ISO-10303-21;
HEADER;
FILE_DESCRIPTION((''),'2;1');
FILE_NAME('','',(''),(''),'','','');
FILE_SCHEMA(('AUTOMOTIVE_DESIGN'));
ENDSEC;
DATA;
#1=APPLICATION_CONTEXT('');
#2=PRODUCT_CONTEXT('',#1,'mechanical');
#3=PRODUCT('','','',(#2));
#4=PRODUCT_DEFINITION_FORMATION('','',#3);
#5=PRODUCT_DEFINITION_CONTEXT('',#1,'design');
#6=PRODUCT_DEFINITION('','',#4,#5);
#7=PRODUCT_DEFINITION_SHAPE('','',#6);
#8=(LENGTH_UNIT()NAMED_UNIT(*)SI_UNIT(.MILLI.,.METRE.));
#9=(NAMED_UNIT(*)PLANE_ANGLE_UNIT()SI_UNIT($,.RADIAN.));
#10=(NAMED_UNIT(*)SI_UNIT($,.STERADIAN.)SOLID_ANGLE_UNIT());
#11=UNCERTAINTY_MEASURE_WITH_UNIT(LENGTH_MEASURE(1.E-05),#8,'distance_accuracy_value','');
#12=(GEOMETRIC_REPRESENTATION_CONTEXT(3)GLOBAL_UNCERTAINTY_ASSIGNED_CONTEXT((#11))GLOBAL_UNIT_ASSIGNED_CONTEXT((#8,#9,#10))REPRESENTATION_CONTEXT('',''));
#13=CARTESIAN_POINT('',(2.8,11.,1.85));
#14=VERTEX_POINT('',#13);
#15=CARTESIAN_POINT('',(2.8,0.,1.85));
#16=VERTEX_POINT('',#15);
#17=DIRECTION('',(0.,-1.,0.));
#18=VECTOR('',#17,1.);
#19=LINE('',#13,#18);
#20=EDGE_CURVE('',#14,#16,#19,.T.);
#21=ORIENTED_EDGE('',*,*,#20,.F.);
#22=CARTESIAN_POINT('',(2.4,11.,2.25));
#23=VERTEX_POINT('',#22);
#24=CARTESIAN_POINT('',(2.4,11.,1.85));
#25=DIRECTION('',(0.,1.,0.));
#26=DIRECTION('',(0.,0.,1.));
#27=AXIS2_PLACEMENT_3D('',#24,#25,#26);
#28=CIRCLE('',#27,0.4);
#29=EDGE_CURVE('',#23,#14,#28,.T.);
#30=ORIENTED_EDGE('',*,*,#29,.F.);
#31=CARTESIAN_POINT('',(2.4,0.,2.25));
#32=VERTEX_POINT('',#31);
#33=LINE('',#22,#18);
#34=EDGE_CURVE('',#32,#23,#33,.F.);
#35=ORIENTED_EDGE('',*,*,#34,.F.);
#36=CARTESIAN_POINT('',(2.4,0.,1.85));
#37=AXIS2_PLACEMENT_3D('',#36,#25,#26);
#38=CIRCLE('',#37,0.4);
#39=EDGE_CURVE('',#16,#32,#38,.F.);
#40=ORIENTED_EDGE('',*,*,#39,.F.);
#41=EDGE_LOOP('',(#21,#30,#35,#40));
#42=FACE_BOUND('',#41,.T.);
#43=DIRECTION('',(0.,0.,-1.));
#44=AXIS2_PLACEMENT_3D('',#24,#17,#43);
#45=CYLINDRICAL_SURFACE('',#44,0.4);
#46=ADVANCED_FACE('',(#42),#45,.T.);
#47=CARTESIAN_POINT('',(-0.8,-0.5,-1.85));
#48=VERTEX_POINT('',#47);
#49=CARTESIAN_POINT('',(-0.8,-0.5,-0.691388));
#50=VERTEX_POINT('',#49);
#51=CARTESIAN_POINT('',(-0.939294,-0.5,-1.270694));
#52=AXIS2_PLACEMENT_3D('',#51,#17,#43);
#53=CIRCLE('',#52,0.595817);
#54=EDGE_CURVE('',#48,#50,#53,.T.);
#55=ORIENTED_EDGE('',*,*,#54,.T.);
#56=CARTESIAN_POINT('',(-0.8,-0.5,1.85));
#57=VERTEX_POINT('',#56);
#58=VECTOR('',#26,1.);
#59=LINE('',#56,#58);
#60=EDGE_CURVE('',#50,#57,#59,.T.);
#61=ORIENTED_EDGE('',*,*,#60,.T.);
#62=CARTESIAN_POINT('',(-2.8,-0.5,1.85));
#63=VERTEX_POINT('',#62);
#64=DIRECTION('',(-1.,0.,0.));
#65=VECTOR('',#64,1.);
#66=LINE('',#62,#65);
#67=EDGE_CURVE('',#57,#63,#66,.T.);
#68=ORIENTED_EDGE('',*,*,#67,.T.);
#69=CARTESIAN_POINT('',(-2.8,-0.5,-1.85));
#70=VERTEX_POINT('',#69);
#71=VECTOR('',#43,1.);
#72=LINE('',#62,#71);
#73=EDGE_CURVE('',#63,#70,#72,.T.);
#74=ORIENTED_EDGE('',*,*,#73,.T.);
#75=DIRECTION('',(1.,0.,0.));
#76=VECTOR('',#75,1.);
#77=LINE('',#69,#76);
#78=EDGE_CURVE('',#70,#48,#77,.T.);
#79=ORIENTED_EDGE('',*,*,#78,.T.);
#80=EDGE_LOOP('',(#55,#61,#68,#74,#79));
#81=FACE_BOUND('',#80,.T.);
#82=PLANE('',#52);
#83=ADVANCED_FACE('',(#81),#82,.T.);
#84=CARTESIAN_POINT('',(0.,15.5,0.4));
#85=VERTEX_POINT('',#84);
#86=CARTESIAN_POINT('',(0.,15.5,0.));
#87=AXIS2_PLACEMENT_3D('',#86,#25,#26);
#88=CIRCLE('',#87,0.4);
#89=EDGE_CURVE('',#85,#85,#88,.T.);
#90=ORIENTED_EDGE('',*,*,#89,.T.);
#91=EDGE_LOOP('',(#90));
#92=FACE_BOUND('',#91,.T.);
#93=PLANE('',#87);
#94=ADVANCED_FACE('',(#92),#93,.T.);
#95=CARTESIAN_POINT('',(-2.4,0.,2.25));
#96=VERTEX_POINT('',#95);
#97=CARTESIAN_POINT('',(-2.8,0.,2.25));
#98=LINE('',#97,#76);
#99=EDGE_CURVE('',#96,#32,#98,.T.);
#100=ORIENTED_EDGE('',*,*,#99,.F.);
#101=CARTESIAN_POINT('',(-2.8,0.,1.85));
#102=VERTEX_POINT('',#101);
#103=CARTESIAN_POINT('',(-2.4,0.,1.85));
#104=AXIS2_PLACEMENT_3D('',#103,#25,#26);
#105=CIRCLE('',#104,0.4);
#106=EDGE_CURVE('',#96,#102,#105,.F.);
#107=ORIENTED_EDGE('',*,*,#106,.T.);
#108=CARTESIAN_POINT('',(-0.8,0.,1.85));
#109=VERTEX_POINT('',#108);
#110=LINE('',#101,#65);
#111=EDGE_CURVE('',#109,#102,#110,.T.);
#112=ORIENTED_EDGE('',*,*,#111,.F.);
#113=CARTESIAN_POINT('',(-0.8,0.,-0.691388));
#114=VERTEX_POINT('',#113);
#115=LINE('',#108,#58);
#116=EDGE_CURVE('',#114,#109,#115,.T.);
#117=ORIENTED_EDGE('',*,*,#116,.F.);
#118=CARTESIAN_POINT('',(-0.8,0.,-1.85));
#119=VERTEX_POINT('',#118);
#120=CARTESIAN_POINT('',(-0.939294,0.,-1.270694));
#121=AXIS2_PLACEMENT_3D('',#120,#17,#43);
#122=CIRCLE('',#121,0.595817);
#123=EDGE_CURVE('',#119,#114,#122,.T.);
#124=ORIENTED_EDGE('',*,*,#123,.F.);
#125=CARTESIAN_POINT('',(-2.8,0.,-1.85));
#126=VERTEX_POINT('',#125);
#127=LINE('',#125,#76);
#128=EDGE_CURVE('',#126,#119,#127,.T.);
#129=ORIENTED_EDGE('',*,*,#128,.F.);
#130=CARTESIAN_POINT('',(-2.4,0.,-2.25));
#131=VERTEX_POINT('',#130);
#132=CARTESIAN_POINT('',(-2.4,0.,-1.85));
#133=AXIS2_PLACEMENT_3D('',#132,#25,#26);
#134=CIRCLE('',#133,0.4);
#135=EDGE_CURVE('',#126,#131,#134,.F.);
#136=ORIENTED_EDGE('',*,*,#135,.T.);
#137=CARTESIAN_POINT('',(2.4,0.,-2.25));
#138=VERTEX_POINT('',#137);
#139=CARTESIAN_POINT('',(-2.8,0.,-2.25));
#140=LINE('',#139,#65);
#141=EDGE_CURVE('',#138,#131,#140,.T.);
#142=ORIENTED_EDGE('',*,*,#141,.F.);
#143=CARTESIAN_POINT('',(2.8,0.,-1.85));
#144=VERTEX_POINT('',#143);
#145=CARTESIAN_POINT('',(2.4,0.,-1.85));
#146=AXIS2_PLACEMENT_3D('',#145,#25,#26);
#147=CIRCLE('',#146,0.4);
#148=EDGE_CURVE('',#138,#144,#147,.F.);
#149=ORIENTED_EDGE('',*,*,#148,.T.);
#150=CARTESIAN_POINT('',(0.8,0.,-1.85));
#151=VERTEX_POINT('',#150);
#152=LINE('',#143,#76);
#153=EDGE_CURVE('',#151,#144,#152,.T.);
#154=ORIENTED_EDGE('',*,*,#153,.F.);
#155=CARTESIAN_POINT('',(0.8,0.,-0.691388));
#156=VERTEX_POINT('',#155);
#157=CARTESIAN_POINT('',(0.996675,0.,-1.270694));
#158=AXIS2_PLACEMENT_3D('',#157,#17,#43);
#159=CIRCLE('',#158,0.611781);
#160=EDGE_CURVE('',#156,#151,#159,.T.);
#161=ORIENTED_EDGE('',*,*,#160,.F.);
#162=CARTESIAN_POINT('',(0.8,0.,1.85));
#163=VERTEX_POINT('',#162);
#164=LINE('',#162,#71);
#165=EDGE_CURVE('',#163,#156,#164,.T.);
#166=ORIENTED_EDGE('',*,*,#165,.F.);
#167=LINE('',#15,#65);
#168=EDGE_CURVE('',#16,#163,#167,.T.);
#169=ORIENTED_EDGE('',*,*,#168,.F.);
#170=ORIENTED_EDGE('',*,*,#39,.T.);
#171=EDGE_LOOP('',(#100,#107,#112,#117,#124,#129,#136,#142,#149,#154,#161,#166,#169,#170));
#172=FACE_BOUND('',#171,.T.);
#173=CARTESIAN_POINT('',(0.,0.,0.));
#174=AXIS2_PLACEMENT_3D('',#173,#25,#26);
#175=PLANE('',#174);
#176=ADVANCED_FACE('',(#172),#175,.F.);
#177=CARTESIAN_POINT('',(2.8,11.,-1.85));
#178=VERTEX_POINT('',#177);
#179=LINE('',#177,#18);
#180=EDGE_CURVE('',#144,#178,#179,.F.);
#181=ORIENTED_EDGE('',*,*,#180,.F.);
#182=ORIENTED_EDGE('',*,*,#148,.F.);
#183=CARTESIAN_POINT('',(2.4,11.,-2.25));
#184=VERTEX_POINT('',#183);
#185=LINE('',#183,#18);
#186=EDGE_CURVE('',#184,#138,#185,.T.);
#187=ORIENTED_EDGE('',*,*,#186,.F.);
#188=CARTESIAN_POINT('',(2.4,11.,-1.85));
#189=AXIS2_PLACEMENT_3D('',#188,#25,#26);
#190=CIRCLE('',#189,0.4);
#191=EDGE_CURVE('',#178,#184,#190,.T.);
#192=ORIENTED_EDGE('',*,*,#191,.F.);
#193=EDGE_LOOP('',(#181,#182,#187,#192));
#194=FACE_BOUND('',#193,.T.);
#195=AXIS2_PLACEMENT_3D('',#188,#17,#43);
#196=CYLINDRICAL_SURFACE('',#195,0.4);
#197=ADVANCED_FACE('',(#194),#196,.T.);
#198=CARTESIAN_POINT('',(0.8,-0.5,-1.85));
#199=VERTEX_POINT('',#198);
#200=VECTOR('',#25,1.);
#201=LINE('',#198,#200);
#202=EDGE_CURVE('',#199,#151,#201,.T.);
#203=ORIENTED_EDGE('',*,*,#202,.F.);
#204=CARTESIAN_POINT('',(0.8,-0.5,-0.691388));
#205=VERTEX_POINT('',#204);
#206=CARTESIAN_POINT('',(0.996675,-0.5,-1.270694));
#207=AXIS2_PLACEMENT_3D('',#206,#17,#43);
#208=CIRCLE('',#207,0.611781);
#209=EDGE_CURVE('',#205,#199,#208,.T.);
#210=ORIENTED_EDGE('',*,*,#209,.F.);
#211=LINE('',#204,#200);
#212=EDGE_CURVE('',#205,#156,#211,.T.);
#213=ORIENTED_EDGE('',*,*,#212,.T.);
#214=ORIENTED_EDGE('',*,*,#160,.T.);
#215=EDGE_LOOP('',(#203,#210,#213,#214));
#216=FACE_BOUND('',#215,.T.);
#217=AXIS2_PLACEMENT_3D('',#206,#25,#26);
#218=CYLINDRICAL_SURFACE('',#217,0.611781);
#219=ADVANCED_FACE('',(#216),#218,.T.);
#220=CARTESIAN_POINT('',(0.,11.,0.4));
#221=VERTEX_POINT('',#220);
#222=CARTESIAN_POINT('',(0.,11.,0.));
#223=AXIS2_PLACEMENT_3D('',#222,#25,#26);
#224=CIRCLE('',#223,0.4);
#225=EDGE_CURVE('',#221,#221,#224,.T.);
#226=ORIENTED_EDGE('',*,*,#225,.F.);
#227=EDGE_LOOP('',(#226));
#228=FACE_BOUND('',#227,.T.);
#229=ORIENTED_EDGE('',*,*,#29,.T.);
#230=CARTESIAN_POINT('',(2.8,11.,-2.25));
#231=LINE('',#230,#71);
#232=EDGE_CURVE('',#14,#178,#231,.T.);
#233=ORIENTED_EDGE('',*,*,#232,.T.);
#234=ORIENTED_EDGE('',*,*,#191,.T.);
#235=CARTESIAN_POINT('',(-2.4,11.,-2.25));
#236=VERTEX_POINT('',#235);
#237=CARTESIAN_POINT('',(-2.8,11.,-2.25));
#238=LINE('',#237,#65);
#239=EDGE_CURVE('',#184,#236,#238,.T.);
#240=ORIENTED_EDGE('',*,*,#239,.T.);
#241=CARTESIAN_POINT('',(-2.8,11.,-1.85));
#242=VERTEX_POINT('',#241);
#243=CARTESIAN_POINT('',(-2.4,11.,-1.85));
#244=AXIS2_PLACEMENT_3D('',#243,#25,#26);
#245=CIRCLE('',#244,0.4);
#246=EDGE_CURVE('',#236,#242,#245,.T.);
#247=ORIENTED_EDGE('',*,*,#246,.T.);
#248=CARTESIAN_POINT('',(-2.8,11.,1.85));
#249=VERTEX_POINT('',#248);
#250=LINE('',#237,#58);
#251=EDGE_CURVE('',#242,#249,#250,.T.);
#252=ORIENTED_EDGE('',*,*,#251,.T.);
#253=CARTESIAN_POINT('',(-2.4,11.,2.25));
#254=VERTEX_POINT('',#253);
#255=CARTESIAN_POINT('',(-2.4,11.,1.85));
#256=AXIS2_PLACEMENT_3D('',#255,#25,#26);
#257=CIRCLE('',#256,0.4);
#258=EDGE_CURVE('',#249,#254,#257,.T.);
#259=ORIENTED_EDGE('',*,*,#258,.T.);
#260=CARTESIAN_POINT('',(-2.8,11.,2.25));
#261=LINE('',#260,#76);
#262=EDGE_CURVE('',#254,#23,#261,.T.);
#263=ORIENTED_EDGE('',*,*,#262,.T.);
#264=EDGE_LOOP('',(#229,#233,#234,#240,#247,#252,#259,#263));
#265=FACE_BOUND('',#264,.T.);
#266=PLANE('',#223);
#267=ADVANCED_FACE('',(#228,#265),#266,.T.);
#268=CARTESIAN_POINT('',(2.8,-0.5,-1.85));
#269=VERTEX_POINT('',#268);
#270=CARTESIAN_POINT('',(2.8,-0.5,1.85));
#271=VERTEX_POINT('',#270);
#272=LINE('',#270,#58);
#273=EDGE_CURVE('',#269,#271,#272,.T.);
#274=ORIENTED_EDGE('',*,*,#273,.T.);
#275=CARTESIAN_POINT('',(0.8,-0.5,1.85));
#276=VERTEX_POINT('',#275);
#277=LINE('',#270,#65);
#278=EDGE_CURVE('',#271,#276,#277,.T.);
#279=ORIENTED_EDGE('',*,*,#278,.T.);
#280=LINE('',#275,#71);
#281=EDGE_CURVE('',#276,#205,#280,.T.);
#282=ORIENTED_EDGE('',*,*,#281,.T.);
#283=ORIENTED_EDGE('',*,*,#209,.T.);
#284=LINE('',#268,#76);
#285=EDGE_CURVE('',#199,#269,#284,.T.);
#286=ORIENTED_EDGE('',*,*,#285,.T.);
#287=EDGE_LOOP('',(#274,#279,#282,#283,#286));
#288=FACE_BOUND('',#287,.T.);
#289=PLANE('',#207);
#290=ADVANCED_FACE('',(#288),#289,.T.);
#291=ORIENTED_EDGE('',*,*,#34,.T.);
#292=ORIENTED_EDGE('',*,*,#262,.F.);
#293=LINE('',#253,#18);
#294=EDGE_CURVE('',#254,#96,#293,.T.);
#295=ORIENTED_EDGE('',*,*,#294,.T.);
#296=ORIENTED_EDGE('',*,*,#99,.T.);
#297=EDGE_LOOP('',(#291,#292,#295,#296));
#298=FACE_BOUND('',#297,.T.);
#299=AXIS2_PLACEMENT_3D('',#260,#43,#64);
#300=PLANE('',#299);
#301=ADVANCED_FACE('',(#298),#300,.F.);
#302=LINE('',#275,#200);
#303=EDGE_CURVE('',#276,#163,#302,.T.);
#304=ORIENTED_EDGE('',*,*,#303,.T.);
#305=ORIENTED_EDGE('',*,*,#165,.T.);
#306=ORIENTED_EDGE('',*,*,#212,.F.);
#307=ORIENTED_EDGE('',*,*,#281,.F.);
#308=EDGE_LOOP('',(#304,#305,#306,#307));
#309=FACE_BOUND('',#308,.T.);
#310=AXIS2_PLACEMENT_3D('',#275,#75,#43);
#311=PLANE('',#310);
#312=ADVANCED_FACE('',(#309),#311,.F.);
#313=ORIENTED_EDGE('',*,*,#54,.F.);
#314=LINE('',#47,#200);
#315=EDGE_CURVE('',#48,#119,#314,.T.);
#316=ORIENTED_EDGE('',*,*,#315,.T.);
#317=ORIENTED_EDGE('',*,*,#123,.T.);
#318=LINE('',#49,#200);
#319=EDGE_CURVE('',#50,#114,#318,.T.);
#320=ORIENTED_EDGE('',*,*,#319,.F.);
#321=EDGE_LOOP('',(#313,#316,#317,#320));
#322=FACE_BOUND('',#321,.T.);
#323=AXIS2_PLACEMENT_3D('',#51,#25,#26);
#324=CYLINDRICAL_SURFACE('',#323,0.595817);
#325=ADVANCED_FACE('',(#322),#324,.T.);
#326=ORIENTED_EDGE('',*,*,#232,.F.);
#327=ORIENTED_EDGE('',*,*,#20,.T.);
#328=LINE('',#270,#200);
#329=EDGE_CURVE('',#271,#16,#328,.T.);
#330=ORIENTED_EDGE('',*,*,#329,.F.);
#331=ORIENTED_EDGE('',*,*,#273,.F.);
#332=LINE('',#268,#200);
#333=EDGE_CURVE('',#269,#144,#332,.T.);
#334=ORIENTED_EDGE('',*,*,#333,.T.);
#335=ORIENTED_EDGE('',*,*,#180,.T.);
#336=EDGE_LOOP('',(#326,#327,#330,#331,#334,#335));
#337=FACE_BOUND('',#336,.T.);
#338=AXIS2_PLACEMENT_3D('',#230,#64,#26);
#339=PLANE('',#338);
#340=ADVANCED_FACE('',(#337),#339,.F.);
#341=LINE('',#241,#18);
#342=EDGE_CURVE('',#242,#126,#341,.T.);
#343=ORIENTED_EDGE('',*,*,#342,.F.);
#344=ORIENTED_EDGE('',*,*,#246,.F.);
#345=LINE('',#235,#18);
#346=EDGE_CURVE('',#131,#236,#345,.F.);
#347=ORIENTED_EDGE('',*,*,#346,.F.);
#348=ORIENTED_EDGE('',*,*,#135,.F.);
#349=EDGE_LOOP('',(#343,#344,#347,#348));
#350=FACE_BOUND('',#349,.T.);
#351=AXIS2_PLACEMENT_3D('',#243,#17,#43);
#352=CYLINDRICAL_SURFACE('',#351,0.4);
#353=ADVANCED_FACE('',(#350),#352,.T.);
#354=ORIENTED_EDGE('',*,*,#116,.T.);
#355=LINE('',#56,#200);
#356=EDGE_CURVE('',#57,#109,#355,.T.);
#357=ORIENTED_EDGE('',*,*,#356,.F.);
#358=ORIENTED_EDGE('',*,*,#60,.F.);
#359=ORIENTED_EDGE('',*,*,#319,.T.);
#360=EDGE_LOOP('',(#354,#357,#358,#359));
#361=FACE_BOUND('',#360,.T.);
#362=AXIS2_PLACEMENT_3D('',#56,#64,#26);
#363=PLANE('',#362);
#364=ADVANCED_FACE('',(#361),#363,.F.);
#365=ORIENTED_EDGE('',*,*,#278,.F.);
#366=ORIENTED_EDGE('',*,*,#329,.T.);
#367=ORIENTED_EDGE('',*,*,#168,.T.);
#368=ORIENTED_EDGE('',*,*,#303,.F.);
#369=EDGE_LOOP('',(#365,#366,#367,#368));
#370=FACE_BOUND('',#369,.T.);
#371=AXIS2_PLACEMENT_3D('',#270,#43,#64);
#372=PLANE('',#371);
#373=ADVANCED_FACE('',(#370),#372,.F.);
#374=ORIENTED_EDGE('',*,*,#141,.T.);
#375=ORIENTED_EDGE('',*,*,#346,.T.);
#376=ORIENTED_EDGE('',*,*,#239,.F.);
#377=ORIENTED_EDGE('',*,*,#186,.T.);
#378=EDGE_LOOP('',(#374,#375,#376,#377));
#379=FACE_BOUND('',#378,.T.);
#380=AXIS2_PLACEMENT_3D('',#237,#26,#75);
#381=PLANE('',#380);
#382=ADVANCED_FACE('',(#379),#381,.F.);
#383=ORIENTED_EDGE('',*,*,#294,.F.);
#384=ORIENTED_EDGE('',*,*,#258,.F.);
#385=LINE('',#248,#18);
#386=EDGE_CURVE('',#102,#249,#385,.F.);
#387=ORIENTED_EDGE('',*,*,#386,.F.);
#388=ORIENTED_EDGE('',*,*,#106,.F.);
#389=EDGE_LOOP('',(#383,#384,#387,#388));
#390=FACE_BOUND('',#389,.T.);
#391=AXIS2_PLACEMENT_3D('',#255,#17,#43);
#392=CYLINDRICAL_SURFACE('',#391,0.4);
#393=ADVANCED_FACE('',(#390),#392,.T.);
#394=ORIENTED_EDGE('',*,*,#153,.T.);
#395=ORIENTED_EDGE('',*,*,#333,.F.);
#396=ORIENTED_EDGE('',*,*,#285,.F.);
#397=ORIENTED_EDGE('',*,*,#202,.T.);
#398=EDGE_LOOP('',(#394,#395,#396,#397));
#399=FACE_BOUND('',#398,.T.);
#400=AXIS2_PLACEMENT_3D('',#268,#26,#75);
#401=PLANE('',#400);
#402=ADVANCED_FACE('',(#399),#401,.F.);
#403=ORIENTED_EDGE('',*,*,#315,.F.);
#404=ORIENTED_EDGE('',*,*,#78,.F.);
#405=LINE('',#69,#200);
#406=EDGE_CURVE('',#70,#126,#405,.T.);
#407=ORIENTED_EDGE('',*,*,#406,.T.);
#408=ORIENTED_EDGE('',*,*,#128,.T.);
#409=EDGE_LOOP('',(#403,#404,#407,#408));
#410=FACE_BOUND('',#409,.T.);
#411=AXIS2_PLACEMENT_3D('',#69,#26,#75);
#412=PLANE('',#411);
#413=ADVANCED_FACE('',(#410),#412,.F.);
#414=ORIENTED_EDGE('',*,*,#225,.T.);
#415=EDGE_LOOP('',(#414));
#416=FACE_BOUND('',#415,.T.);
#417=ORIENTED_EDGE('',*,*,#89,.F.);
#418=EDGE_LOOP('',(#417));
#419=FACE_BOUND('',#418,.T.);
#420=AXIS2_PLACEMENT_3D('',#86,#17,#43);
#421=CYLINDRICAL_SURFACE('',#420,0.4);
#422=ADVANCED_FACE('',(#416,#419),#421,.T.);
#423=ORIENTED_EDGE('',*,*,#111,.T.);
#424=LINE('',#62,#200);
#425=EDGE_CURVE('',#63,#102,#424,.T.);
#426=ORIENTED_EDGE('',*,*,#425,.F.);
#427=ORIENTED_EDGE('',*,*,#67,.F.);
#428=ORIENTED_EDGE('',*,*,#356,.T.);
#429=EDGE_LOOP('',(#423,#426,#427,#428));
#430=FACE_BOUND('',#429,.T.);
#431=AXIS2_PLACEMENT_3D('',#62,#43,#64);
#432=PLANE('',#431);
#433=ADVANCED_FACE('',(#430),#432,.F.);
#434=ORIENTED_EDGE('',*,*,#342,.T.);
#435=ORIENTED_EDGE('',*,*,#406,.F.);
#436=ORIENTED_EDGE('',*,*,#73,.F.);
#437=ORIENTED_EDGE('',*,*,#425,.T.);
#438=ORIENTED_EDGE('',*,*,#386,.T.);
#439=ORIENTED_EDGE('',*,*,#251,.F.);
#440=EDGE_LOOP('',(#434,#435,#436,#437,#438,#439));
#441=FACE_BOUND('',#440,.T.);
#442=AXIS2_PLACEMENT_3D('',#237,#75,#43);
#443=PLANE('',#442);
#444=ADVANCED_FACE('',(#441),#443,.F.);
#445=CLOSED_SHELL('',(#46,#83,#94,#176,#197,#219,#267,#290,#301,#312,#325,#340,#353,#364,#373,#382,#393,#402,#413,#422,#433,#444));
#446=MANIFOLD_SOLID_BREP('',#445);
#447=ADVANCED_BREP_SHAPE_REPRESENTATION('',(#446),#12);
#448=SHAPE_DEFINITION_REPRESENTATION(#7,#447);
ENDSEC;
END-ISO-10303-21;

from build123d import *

# Parameters (mm, degrees)
SKETCH1_W           = 5.6
SKETCH1_H           = 4.5
BOSS_EXTRUDE1_DEPTH = 11
SKETCH2_R           = 0.4
BOSS_EXTRUDE2_DEPTH = 4.5
FILLET1_R           = 0.4
BOSS_EXTRUDE3_DEPTH = 0.5


with BuildPart() as part:
    # Sketch1 → Boss-Extrude1 (new body)
    with BuildSketch(Plane(origin=(0, 0, 0), x_dir=(1, 0, 0), z_dir=(0, 1, 0))):
        Rectangle(SKETCH1_W, SKETCH1_H)
    extrude(amount=BOSS_EXTRUDE1_DEPTH)

    # Sketch2 → Boss-Extrude2 (add)
    with BuildSketch(Plane(origin=(0, 11, 0), x_dir=(1, 0, 0), z_dir=(0, 1, 0))):
        with Locations(Location((0, 0, 0), (0, 0, 270))):
            Circle(SKETCH2_R)
    extrude(amount=BOSS_EXTRUDE2_DEPTH)

    # Fillet1
    fillet1_edges = [part.edges().sort_by_distance(p)[0] for p in [
        (2.8, 5.5, 2.25),
        (-2.8, 5.5, 2.25),
        (-2.8, 5.5, -2.25),
        (2.8, 5.5, -2.25),
    ]]
    fillet(fillet1_edges, radius=FILLET1_R)

    # Sketch3 → Boss-Extrude3 (add)
    with BuildSketch(Plane.XZ):
        with BuildLine():
            Line((-2.8, 1.85), (-0.8, 1.85))
            Line((-0.8, 1.85), (-0.8, -0.691387744))
            ThreePointArc((-0.8, -0.691387744), (-0.34347642, -1.270693872), (-0.8, -1.85))
            Line((-0.8, -1.85), (-2.8, -1.85))
            Line((-2.8, -1.85), (-2.8, 1.85))
        make_face()
        with BuildLine():
            Line((2.8, -1.85), (0.8, -1.85))
            ThreePointArc((0.8, -1.85), (0.384893305, -1.270693872), (0.8, -0.691387744))
            Line((0.8, -0.691387744), (0.8, 1.85))
            Line((0.8, 1.85), (2.8, 1.85))
            Line((2.8, 1.85), (2.8, -1.85))
        make_face()
    extrude(amount=BOSS_EXTRUDE3_DEPTH)


solid = part.part
